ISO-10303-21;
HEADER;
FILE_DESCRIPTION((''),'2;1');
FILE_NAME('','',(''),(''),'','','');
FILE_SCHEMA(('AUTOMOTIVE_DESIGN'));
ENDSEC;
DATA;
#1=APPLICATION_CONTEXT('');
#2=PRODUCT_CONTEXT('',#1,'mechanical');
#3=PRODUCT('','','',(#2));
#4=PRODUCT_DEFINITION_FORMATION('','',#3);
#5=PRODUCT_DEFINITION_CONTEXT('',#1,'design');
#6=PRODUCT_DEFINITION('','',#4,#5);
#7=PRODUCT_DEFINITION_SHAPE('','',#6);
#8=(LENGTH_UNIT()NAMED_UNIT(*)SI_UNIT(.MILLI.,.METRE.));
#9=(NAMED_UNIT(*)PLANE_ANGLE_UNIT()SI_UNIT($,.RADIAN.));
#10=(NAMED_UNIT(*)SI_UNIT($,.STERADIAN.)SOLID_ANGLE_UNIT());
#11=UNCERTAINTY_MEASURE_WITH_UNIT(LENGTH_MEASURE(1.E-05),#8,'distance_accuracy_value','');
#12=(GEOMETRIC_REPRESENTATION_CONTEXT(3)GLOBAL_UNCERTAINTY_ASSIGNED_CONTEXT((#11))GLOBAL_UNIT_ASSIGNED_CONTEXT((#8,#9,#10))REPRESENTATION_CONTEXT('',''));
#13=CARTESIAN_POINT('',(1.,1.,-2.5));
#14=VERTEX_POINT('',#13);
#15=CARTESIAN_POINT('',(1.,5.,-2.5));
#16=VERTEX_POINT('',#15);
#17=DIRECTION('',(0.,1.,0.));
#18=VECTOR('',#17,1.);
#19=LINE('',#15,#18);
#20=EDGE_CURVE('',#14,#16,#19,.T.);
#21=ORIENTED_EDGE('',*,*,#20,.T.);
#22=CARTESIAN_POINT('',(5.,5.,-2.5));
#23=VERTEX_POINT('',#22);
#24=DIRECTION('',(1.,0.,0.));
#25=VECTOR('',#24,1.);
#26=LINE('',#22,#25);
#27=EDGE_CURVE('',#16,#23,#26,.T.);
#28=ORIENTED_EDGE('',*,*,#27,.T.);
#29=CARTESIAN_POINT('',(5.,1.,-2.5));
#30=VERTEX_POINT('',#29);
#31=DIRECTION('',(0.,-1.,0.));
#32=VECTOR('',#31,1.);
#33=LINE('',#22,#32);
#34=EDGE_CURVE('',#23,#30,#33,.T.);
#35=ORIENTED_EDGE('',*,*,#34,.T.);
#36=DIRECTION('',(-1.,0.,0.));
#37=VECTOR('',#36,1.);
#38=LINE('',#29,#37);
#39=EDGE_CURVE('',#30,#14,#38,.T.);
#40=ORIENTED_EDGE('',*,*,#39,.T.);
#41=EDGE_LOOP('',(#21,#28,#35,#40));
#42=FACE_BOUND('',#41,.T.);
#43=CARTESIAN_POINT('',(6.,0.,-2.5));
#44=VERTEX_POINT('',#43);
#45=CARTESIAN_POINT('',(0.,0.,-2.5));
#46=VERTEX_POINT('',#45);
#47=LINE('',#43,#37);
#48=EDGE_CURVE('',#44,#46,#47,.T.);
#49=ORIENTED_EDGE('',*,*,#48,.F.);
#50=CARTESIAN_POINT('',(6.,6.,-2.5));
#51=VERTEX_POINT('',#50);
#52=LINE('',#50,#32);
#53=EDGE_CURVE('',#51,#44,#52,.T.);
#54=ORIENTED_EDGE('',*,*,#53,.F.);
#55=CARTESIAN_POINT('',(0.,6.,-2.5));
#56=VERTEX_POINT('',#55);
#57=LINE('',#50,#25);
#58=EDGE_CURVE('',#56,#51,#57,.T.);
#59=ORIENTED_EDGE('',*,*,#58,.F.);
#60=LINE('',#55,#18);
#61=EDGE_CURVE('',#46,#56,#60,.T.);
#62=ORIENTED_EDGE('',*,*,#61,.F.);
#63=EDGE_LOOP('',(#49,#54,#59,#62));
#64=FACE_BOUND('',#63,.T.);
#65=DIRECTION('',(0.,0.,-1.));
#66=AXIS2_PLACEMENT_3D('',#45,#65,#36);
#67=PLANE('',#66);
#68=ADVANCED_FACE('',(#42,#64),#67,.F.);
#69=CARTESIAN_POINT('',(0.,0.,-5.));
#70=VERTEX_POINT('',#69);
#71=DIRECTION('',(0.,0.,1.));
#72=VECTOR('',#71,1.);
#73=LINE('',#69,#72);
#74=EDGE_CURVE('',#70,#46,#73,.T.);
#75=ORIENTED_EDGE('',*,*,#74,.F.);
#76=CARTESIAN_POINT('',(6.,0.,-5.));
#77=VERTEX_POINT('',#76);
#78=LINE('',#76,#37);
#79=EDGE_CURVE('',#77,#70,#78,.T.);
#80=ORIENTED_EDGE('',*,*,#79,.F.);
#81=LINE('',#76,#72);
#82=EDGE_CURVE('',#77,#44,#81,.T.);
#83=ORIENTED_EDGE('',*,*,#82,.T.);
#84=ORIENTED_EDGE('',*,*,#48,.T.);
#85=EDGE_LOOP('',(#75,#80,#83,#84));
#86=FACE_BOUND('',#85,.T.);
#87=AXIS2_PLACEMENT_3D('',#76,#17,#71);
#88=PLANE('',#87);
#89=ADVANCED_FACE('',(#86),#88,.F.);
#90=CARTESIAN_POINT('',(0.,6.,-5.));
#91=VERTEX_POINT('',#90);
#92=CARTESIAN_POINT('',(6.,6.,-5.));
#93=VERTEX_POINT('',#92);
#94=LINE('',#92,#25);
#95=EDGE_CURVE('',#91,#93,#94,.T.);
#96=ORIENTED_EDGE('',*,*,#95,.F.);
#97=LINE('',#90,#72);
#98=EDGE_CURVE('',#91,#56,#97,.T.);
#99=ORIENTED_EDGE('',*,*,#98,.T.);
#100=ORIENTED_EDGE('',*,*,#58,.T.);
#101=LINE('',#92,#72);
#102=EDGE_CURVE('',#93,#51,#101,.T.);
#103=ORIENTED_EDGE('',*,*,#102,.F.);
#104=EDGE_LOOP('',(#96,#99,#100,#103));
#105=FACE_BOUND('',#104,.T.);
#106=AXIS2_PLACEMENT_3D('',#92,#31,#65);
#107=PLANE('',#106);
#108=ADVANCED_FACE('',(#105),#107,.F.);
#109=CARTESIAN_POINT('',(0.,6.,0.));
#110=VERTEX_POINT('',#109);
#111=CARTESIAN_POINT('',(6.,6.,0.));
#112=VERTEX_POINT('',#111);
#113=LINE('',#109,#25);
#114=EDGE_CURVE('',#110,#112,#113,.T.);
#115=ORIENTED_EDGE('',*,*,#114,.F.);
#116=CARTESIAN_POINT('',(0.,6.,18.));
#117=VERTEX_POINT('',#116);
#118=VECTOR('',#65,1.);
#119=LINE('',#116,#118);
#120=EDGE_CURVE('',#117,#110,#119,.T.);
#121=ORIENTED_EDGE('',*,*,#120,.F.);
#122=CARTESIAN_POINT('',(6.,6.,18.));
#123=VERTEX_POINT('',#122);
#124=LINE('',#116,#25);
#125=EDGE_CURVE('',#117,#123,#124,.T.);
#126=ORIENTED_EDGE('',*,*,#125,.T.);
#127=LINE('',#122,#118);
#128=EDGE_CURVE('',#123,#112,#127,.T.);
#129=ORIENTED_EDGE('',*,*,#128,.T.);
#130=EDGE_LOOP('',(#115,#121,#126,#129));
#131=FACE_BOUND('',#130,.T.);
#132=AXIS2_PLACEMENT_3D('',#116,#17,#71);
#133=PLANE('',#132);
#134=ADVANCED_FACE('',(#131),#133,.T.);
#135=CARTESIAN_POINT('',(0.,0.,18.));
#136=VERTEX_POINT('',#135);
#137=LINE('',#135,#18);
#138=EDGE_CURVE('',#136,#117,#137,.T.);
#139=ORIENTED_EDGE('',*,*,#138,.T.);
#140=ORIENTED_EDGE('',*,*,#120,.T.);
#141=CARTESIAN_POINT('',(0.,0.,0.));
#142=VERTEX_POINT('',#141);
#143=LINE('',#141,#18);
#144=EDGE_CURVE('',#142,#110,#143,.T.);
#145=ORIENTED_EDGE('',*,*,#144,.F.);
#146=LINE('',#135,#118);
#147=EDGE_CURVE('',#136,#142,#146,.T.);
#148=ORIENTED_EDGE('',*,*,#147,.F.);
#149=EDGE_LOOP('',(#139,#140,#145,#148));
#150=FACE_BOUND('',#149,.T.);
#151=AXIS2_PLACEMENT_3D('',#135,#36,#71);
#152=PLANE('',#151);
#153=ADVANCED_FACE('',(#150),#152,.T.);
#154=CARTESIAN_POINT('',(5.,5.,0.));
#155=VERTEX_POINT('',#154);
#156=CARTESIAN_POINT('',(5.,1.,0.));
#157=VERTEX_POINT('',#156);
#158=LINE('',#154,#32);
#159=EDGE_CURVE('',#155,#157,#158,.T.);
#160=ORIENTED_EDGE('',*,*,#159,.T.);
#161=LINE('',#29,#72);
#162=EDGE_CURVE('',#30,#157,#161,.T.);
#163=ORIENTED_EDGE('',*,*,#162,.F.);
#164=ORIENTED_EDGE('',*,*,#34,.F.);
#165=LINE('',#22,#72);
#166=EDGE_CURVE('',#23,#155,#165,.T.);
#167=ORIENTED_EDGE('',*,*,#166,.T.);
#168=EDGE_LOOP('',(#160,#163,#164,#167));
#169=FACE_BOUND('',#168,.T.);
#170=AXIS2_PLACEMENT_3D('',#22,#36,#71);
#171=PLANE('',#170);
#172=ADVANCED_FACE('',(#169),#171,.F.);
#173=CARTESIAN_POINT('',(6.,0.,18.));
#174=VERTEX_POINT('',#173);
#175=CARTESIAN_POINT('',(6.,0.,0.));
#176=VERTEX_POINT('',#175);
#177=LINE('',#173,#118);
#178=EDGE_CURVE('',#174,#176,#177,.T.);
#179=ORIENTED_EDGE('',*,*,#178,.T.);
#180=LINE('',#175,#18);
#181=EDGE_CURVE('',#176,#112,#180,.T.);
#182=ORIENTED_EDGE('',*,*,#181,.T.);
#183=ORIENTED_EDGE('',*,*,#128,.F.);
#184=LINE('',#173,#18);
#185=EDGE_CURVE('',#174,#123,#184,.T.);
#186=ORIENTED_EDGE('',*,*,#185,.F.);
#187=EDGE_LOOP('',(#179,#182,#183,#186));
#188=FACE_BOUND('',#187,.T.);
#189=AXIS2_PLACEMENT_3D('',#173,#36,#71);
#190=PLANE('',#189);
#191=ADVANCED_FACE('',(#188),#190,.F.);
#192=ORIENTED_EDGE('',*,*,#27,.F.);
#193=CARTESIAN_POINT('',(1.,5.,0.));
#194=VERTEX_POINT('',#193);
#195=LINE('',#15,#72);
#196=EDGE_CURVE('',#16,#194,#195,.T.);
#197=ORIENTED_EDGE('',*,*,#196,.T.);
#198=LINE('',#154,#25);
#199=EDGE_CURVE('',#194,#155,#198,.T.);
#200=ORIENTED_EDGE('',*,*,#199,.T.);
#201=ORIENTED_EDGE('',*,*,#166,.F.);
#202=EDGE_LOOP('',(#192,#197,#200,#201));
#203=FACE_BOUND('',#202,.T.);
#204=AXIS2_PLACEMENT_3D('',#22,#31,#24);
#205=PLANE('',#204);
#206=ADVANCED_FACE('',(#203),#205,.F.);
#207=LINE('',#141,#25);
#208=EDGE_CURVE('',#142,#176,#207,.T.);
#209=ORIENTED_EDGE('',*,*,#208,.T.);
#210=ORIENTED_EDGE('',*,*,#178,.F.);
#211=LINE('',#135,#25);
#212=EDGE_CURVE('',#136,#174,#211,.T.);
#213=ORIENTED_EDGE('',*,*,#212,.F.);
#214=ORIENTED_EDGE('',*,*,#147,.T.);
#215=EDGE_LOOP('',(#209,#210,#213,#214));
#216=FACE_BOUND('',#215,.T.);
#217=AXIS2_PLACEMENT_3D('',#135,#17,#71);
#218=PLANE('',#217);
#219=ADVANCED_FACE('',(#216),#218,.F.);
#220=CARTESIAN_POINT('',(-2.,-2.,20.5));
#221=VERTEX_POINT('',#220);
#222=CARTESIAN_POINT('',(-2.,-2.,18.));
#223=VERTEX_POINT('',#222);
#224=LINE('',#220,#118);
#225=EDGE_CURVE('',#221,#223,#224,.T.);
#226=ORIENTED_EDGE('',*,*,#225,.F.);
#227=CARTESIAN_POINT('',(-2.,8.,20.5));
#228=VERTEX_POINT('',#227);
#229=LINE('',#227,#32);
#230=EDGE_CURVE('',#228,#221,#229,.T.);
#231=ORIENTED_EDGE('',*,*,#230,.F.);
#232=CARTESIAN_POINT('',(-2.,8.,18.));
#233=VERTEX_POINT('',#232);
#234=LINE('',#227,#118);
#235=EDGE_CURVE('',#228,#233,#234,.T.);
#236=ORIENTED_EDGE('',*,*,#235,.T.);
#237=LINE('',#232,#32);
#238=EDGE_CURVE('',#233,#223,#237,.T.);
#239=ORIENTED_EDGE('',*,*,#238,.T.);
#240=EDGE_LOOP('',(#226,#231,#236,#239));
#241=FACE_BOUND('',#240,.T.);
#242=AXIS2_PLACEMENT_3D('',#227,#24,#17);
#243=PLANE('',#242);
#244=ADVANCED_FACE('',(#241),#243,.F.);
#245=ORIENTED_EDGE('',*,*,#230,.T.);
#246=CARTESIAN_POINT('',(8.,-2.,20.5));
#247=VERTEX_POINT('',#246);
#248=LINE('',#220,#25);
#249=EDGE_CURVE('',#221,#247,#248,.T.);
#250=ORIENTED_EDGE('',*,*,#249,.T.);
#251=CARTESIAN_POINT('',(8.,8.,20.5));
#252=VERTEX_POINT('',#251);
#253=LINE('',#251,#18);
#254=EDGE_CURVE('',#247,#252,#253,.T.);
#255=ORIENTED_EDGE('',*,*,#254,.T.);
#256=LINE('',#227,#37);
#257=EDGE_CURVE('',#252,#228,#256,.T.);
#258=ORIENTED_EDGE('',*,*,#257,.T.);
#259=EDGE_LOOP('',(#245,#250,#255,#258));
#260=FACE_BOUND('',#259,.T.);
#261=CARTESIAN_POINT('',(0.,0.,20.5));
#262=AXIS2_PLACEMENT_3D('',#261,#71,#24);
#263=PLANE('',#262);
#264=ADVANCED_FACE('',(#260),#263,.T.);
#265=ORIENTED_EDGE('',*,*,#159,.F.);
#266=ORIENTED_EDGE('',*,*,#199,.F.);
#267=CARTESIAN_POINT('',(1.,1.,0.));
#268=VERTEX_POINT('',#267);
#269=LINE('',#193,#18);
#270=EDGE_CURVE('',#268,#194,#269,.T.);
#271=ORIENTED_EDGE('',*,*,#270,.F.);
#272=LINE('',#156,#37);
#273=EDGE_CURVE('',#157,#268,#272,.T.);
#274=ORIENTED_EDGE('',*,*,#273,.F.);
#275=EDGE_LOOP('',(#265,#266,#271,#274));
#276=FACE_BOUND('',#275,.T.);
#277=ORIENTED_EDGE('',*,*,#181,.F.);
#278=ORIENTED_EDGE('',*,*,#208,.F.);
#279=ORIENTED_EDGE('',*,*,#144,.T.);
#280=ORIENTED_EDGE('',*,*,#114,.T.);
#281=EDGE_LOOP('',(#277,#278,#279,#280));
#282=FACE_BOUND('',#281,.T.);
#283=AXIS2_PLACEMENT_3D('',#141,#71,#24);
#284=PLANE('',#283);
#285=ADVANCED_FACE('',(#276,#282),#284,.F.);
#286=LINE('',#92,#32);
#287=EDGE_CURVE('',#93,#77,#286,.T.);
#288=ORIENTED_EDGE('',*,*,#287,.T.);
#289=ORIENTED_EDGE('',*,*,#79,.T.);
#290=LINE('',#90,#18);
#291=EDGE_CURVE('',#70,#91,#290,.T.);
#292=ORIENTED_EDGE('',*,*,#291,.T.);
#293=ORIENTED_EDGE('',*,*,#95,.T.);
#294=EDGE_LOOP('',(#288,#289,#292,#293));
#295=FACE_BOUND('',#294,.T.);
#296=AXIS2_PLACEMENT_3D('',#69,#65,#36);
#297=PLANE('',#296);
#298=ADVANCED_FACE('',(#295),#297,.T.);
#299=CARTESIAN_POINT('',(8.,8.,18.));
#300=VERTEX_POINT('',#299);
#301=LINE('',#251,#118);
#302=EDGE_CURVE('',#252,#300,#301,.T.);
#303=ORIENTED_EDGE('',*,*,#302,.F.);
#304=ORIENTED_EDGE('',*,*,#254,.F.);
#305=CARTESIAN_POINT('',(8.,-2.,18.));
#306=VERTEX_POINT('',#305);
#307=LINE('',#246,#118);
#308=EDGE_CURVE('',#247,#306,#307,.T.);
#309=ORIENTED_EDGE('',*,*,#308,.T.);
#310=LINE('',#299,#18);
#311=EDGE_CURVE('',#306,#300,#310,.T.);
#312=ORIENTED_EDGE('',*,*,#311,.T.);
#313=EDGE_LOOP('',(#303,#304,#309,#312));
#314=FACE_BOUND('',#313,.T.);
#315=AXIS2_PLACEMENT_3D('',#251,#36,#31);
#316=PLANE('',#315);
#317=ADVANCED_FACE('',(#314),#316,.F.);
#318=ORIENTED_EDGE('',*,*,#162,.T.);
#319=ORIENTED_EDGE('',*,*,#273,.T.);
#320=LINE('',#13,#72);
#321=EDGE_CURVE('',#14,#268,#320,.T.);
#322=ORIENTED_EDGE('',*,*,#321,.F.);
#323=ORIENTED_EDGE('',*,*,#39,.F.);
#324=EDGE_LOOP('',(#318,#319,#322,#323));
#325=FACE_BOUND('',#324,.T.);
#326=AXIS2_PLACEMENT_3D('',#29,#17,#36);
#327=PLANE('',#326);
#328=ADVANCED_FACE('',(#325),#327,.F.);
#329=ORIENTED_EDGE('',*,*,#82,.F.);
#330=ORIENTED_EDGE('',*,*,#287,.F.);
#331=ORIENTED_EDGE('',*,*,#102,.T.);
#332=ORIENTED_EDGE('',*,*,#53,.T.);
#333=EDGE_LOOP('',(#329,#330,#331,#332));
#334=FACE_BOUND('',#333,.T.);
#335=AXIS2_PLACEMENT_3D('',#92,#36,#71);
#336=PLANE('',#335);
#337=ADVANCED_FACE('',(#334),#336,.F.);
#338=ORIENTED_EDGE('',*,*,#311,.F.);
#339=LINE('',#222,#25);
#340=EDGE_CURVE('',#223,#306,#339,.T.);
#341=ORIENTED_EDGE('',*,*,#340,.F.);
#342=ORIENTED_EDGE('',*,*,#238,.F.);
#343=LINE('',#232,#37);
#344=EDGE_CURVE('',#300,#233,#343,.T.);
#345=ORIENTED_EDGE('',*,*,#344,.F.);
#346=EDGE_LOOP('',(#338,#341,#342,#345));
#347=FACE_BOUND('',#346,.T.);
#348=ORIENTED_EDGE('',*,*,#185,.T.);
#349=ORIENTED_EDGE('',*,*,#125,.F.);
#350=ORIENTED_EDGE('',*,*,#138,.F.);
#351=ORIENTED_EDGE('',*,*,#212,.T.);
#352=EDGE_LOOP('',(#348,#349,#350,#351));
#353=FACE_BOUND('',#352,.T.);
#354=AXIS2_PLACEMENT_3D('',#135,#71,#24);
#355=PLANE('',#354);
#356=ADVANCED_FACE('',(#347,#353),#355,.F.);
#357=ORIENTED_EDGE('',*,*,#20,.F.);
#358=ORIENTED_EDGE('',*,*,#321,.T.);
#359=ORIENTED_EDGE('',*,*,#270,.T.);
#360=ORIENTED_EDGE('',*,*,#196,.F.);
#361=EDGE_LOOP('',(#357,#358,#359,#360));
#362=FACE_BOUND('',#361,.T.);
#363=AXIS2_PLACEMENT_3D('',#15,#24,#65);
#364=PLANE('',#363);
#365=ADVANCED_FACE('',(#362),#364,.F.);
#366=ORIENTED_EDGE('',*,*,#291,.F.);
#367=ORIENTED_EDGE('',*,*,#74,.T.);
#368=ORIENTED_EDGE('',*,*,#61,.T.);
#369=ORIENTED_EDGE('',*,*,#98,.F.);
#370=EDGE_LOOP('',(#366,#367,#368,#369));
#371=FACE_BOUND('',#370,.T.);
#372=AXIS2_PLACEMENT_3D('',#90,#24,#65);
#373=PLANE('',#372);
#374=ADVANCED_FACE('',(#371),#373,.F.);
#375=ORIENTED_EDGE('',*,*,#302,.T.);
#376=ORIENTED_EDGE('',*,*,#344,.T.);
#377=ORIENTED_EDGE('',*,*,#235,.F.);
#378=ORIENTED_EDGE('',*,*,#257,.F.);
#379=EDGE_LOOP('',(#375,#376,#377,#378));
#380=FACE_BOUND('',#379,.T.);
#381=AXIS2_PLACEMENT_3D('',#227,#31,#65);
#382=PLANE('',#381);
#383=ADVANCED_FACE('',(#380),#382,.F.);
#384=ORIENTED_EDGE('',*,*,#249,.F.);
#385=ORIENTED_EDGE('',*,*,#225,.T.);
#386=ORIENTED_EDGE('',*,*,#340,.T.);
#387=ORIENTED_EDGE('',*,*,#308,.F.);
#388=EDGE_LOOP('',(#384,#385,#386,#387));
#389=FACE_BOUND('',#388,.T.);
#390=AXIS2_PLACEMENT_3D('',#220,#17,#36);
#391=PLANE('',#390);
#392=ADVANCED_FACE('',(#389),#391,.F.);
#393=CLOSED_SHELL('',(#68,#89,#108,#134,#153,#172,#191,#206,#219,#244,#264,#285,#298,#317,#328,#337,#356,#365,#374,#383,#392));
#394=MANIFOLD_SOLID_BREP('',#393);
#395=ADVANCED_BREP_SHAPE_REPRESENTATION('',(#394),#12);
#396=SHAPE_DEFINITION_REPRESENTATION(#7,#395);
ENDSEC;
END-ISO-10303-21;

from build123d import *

# Parameters (mm, degrees)
SKETCH1_W           = 6
SKETCH1_H           = 6
BOSS_EXTRUDE1_DEPTH = 18
SKETCH2_W           = 10
SKETCH2_H           = 10
BOSS_EXTRUDE2_DEPTH = 2.5
SKETCH5_W           = 4
SKETCH5_H           = 4
BOSS_EXTRUDE4_DEPTH = 2.5
SKETCH6_W           = 6
SKETCH6_H           = 6
BOSS_EXTRUDE5_DEPTH = 2.5


with BuildPart() as part:
    # Sketch1 → Boss-Extrude1 (new body)
    with BuildSketch(Plane.XY):
        with Locations((3, 3)):
            Rectangle(SKETCH1_W, SKETCH1_H)
    extrude(amount=BOSS_EXTRUDE1_DEPTH)

    # Sketch2 → Boss-Extrude2 (add)
    with BuildSketch(Plane.XY.offset(18)):
        with Locations((3, 3)):
            Rectangle(SKETCH2_W, SKETCH2_H)
    extrude(amount=BOSS_EXTRUDE2_DEPTH)

    # Sketch5 → Boss-Extrude4 (add)
    with BuildSketch(Plane(origin=(0, 0, 0), x_dir=(-1, 0, 0), z_dir=(0, 0, -1))):
        with Locations((-3, 3)):
            Rectangle(SKETCH5_W, SKETCH5_H)
    extrude(amount=BOSS_EXTRUDE4_DEPTH)

    # Sketch6 → Boss-Extrude5 (add)
    with BuildSketch(Plane(origin=(0, 0, -2.5), x_dir=(-1, 0, 0), z_dir=(0, 0, -1))):
        with Locations((-3, 3)):
            Rectangle(SKETCH6_W, SKETCH6_H)
    extrude(amount=BOSS_EXTRUDE5_DEPTH)


solid = part.part
